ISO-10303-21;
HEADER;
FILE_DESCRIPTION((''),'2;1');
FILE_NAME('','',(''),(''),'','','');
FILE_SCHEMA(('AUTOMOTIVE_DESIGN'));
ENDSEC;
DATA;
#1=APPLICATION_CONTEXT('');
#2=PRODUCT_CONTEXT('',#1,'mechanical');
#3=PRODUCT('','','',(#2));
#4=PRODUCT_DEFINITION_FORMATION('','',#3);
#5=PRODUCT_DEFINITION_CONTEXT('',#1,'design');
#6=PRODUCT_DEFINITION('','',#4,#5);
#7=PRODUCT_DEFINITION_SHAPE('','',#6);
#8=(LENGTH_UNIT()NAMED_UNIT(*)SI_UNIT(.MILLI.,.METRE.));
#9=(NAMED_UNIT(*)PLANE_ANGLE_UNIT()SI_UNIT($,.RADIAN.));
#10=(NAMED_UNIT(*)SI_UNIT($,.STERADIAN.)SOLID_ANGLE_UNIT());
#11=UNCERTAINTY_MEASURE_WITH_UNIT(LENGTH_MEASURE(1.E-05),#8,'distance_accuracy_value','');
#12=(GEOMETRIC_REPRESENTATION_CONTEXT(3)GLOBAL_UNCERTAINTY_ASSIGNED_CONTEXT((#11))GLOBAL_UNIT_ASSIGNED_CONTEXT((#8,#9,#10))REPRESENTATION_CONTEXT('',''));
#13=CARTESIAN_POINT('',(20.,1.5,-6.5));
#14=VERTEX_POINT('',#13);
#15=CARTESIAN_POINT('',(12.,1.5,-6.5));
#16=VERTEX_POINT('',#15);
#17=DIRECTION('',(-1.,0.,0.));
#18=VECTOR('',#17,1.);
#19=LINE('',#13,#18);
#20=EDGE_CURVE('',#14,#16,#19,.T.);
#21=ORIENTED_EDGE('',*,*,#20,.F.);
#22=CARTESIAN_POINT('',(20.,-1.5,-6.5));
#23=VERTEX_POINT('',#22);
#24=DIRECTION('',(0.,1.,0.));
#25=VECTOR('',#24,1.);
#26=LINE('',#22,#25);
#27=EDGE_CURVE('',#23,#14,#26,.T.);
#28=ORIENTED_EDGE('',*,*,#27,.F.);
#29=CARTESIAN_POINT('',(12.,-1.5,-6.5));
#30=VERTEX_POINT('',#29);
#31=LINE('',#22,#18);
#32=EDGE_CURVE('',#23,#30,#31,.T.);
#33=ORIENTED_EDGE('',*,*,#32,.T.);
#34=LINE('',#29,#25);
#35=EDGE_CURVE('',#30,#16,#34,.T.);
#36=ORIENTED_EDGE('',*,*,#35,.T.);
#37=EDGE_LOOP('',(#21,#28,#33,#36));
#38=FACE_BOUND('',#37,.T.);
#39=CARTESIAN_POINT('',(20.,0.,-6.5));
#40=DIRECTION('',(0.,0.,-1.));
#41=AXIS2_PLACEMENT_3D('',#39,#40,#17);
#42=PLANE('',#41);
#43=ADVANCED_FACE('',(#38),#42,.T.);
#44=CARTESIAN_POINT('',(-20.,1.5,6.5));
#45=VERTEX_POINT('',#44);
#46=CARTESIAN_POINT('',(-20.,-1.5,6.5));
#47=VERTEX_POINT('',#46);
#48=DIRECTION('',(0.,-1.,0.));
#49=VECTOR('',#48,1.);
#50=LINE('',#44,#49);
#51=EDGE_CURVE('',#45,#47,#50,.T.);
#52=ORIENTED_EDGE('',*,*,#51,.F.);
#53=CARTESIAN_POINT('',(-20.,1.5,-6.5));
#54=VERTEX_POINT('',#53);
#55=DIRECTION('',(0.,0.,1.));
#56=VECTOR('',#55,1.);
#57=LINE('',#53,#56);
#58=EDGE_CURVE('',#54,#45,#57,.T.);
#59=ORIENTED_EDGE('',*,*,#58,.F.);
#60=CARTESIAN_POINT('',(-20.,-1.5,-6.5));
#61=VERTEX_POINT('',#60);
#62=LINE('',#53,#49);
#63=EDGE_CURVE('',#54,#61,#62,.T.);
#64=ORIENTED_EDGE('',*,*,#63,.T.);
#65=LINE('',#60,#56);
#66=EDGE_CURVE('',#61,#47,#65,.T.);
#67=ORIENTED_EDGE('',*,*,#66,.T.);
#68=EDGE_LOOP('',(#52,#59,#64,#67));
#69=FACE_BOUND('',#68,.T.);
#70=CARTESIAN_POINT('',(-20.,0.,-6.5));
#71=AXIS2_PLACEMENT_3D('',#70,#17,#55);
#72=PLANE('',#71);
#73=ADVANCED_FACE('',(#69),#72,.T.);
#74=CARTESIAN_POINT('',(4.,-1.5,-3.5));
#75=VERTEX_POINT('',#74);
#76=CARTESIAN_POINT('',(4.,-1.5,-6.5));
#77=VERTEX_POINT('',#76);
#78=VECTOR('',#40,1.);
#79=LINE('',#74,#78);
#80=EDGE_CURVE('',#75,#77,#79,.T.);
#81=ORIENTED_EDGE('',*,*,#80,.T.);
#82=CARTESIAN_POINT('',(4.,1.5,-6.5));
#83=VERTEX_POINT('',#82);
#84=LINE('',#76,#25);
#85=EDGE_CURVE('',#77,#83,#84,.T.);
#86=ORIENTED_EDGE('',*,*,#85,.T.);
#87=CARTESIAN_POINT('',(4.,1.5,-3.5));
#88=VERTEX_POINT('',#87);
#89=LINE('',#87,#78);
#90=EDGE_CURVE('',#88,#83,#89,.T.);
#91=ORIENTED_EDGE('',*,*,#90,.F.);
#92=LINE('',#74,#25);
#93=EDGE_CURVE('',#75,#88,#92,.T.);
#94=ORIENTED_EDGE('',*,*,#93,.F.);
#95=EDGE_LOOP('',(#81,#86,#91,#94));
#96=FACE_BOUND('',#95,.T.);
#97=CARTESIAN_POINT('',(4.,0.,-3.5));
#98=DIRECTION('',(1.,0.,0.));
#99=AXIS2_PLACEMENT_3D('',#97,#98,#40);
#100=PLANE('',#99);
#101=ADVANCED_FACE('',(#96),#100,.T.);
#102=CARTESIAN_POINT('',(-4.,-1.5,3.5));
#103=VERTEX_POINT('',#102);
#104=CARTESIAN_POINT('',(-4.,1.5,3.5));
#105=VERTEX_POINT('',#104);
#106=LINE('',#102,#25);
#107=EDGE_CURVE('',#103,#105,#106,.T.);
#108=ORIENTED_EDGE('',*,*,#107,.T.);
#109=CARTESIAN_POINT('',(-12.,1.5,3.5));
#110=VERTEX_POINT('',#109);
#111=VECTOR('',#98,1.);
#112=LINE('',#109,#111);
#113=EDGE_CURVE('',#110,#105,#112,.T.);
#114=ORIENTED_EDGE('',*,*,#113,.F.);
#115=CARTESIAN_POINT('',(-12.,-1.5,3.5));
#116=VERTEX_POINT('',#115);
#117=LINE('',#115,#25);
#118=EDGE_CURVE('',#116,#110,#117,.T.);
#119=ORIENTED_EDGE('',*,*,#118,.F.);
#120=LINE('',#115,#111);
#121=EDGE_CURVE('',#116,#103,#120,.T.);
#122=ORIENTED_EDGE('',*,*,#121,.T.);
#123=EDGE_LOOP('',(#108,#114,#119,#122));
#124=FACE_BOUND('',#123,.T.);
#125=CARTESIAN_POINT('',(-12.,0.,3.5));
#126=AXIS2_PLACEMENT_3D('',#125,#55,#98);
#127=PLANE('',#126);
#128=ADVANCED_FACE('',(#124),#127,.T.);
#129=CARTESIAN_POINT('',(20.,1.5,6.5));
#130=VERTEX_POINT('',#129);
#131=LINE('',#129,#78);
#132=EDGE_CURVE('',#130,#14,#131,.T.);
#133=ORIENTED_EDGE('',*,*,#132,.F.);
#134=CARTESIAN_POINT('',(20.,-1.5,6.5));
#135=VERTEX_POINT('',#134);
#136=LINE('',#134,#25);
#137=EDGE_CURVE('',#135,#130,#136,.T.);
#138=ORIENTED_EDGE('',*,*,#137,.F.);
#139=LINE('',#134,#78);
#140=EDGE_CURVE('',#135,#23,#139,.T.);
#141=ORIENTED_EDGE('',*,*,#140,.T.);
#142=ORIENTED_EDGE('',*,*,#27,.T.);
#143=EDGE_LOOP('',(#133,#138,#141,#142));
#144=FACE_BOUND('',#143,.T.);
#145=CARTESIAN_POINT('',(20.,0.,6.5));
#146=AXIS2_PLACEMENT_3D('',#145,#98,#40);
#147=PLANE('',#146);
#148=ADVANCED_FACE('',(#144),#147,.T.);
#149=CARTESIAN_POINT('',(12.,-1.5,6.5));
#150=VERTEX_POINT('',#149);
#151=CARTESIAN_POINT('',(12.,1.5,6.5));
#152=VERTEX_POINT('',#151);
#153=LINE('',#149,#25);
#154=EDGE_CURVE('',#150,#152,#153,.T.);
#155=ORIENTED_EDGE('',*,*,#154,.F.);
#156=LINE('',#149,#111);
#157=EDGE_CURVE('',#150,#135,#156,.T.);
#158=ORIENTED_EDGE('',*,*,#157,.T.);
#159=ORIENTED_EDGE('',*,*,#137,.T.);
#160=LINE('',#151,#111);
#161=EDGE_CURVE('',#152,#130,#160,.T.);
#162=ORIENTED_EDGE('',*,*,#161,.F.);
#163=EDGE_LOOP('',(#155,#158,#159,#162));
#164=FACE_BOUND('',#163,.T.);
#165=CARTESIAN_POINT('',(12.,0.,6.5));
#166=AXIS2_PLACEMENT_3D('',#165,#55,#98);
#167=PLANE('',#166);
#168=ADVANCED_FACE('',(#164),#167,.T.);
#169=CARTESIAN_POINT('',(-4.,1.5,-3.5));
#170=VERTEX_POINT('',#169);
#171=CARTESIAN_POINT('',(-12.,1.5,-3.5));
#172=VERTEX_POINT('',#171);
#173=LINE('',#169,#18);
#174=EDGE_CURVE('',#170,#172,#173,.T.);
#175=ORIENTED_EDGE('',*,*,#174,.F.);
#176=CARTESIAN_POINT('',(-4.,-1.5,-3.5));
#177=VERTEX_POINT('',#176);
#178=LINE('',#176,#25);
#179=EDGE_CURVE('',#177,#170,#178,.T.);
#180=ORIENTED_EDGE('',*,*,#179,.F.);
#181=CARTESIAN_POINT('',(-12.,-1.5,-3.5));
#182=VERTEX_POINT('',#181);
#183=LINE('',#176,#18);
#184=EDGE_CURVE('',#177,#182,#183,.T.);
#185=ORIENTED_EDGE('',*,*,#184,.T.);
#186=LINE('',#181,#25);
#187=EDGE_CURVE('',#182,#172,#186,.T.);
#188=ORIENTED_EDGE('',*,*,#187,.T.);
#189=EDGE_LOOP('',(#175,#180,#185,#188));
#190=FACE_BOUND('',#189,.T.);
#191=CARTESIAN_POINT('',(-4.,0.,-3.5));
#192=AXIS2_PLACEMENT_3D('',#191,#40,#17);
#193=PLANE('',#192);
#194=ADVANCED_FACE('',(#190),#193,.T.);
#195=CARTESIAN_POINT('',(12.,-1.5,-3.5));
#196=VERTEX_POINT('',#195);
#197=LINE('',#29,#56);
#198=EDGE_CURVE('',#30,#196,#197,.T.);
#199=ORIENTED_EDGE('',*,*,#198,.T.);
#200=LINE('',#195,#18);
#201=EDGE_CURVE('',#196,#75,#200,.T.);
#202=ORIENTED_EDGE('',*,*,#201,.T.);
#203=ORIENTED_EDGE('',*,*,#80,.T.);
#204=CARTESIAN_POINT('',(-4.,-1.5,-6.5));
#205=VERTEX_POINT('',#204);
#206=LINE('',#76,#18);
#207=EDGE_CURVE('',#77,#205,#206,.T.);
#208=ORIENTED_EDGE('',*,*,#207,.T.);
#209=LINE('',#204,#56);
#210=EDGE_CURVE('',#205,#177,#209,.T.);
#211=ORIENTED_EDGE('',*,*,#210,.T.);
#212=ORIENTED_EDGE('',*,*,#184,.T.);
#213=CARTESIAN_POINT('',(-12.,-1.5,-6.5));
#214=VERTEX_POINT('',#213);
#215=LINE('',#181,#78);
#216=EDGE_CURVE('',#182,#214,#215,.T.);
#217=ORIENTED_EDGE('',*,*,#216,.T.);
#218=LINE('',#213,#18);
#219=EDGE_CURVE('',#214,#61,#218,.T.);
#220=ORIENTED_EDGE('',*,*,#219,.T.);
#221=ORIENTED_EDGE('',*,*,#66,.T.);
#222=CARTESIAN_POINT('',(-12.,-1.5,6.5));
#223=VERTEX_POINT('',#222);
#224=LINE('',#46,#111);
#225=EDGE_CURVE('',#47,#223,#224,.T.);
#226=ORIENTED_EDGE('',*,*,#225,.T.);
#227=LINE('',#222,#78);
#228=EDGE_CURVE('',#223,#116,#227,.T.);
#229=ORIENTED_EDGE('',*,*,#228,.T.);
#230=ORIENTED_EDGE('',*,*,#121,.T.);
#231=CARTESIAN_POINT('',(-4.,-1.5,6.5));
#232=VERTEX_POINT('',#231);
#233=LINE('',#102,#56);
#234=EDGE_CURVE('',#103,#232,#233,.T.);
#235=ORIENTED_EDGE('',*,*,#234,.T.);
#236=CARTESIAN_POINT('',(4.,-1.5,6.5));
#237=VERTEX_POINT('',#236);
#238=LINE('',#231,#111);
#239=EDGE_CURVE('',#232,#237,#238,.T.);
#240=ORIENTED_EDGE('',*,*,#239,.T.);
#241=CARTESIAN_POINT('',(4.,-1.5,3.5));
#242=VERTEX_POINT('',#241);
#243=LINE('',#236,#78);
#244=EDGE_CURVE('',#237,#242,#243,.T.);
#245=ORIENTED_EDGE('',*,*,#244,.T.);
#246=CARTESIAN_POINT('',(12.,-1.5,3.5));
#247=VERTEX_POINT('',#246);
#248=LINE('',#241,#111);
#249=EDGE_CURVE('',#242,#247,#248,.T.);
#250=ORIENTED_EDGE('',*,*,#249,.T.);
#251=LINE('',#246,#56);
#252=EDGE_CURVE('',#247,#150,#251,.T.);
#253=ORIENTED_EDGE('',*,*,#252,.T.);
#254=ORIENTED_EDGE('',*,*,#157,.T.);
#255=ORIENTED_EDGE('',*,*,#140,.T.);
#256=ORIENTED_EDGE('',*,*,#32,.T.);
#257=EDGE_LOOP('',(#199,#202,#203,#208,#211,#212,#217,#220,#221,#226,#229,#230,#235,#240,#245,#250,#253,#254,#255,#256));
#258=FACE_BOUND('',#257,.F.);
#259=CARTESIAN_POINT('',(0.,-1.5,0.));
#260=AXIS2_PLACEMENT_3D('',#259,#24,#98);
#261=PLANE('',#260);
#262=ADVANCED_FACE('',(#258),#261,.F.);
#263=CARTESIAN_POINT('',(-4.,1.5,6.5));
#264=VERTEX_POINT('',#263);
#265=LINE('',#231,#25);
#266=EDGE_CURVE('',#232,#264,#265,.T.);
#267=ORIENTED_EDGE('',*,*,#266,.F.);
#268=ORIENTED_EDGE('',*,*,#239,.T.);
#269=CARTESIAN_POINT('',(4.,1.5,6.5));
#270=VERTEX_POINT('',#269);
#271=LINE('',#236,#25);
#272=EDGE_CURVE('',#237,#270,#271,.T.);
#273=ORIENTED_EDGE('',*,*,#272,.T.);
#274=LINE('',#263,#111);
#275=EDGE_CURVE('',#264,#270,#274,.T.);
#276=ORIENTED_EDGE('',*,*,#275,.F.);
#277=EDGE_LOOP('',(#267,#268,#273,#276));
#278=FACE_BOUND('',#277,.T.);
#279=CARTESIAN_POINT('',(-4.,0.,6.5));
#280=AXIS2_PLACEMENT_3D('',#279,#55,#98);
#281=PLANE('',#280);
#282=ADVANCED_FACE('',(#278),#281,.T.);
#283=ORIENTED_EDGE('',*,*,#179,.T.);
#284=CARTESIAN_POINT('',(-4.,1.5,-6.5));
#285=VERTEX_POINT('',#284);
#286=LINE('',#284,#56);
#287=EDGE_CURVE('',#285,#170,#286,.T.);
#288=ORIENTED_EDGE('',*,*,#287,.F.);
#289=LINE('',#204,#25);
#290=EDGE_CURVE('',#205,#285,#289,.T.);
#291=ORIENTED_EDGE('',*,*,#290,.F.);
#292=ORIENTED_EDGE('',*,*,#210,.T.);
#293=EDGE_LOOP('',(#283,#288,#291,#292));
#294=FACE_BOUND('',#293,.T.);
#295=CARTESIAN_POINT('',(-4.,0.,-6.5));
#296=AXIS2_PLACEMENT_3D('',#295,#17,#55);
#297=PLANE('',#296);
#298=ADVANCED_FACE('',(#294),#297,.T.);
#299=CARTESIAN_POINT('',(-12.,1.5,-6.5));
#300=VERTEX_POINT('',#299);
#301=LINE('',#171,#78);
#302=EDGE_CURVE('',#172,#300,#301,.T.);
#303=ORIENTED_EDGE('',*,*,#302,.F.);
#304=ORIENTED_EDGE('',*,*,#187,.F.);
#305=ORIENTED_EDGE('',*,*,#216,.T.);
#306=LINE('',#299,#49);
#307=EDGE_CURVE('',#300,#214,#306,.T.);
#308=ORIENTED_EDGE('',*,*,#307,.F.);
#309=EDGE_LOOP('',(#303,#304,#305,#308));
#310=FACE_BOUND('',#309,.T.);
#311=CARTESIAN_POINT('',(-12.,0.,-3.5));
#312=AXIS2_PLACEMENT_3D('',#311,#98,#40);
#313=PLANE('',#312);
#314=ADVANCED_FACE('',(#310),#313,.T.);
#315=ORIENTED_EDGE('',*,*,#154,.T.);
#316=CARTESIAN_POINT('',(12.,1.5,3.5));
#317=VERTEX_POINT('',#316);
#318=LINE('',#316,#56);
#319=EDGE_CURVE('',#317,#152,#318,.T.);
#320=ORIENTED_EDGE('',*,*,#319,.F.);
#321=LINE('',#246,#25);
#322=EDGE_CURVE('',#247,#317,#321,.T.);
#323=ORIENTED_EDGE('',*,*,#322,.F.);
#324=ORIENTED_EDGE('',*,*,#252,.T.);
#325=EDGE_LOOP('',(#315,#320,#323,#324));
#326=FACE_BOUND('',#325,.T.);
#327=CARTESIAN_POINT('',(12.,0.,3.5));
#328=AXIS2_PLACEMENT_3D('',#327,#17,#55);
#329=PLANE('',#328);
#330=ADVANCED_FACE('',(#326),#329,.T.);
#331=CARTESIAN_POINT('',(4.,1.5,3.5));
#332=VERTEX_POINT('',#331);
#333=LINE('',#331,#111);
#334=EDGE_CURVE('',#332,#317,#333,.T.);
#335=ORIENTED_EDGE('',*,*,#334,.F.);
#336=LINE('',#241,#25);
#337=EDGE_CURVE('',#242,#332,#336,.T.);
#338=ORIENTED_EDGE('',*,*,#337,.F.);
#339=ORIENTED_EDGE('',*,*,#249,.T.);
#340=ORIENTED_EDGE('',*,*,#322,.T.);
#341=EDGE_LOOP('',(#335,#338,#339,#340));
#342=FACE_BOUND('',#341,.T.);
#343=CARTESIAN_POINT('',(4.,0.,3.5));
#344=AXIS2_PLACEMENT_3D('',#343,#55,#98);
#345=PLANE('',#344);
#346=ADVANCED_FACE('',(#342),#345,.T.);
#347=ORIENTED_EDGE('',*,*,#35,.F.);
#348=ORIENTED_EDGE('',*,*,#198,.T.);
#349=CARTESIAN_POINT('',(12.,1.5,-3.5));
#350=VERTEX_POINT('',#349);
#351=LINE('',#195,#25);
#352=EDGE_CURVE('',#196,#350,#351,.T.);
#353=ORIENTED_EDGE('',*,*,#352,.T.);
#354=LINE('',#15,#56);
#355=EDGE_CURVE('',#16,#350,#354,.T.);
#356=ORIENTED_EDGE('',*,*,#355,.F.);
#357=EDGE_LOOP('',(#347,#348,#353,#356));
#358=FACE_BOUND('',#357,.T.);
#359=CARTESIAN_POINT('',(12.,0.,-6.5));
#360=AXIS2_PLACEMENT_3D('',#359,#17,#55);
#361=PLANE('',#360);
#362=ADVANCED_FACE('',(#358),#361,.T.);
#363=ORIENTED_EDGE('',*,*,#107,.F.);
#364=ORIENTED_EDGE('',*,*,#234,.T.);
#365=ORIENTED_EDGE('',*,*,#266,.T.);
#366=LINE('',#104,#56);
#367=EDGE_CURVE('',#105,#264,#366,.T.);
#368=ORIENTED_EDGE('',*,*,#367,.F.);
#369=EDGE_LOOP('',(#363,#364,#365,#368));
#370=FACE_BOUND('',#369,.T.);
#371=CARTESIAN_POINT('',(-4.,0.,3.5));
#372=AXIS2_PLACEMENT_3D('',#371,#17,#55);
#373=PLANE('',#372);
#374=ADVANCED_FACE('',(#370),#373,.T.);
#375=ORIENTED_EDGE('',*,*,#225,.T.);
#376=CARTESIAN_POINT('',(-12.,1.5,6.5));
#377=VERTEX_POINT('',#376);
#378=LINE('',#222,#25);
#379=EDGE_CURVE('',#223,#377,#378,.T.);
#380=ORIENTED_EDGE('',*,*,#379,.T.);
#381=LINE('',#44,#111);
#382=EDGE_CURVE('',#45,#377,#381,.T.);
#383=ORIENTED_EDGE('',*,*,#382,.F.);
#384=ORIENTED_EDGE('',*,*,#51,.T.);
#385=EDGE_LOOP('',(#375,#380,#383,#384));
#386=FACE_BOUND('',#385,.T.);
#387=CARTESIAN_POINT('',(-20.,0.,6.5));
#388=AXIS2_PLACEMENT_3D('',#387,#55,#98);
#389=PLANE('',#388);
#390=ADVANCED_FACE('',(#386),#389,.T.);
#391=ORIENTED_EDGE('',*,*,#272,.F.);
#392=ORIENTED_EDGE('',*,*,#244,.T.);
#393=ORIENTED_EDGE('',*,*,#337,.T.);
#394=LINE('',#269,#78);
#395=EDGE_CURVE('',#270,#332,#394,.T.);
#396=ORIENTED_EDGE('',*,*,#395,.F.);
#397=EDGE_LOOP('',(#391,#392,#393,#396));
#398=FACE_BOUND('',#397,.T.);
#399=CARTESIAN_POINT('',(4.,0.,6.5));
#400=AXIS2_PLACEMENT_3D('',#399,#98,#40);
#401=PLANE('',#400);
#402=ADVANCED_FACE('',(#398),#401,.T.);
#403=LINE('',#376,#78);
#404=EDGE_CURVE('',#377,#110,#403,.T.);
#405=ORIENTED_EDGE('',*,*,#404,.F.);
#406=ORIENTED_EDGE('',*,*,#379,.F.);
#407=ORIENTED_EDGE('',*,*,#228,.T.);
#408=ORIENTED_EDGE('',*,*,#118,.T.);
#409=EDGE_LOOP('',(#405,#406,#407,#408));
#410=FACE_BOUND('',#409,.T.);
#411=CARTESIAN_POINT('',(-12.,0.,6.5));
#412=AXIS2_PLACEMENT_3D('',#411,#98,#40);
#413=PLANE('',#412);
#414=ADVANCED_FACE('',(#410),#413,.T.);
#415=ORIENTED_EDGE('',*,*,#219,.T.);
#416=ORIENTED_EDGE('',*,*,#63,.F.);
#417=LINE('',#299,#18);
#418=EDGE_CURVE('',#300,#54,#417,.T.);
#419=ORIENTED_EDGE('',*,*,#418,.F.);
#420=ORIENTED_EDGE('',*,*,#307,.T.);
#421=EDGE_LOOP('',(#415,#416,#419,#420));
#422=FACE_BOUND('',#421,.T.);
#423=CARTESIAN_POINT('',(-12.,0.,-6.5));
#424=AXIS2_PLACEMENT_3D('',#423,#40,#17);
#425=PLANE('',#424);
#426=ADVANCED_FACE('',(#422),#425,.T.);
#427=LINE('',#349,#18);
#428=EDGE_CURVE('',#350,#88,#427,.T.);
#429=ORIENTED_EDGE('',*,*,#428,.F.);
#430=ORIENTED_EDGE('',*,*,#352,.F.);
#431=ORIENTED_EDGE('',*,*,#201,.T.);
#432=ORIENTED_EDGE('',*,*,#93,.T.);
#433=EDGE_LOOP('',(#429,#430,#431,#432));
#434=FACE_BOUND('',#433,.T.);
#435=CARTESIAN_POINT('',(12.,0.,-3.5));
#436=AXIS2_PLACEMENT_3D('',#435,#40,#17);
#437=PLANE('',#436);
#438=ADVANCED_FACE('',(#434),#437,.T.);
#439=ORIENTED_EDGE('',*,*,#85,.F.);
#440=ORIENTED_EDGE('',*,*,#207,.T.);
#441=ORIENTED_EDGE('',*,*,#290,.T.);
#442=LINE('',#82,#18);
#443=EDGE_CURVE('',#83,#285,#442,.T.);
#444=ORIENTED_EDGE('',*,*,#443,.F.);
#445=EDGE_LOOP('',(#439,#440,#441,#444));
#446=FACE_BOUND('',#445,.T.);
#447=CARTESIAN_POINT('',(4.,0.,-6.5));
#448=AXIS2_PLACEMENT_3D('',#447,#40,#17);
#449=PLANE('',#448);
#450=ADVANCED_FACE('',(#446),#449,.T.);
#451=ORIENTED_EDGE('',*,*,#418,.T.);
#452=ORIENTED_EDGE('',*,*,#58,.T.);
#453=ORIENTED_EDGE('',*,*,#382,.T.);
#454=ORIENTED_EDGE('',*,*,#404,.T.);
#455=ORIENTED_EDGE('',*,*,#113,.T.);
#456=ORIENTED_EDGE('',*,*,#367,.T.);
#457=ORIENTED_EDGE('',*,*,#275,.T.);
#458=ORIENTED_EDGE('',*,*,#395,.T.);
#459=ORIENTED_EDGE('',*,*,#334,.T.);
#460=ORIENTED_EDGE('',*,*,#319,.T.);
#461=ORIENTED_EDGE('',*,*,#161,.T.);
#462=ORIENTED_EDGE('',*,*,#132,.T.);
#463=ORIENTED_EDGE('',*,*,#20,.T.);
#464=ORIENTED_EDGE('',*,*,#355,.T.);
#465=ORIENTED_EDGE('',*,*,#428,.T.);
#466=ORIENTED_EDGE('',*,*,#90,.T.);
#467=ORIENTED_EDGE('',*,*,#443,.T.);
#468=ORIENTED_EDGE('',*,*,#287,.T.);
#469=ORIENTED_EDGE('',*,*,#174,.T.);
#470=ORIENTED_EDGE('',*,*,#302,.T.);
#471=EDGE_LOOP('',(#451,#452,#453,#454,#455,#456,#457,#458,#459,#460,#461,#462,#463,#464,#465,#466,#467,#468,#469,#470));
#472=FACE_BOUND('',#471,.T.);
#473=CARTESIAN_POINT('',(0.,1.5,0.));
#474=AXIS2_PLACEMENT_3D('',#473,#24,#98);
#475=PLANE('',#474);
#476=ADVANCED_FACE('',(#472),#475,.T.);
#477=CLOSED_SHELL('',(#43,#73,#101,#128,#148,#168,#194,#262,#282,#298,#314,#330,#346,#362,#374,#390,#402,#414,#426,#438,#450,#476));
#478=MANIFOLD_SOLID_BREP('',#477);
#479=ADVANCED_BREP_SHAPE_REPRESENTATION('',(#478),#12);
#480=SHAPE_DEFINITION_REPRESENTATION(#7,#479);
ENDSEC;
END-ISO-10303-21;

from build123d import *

# Parameters (mm, degrees)
ESTRUSIONE_ESTRUSIONE2_DEPTH = 1.5


with BuildPart() as part:
    # Schizzo3 → Estrusione-Estrusione2 (new body, symmetric)
    with BuildSketch(Plane(origin=(0, 0, 0), x_dir=(1, 0, 0), z_dir=(0, 1, 0))):
        Polygon((-20, -3.5), (-20, -6.5), (-12, -6.5), (-12, -3.5), (-4, -3.5), (-4, -6.5), (4, -6.5), (4, -3.5), (12, -3.5), (12, -6.5), (20, -6.5), (20, -3.5), (20, 3.5), (20, 6.5), (12, 6.5), (12, 3.5), (4, 3.5), (4, 6.5), (-4, 6.5), (-4, 3.5), (-12, 3.5), (-12, 6.5), (-20, 6.5), (-20, 3.5), align=None)
    extrude(amount=ESTRUSIONE_ESTRUSIONE2_DEPTH, both=True)


solid = part.part
